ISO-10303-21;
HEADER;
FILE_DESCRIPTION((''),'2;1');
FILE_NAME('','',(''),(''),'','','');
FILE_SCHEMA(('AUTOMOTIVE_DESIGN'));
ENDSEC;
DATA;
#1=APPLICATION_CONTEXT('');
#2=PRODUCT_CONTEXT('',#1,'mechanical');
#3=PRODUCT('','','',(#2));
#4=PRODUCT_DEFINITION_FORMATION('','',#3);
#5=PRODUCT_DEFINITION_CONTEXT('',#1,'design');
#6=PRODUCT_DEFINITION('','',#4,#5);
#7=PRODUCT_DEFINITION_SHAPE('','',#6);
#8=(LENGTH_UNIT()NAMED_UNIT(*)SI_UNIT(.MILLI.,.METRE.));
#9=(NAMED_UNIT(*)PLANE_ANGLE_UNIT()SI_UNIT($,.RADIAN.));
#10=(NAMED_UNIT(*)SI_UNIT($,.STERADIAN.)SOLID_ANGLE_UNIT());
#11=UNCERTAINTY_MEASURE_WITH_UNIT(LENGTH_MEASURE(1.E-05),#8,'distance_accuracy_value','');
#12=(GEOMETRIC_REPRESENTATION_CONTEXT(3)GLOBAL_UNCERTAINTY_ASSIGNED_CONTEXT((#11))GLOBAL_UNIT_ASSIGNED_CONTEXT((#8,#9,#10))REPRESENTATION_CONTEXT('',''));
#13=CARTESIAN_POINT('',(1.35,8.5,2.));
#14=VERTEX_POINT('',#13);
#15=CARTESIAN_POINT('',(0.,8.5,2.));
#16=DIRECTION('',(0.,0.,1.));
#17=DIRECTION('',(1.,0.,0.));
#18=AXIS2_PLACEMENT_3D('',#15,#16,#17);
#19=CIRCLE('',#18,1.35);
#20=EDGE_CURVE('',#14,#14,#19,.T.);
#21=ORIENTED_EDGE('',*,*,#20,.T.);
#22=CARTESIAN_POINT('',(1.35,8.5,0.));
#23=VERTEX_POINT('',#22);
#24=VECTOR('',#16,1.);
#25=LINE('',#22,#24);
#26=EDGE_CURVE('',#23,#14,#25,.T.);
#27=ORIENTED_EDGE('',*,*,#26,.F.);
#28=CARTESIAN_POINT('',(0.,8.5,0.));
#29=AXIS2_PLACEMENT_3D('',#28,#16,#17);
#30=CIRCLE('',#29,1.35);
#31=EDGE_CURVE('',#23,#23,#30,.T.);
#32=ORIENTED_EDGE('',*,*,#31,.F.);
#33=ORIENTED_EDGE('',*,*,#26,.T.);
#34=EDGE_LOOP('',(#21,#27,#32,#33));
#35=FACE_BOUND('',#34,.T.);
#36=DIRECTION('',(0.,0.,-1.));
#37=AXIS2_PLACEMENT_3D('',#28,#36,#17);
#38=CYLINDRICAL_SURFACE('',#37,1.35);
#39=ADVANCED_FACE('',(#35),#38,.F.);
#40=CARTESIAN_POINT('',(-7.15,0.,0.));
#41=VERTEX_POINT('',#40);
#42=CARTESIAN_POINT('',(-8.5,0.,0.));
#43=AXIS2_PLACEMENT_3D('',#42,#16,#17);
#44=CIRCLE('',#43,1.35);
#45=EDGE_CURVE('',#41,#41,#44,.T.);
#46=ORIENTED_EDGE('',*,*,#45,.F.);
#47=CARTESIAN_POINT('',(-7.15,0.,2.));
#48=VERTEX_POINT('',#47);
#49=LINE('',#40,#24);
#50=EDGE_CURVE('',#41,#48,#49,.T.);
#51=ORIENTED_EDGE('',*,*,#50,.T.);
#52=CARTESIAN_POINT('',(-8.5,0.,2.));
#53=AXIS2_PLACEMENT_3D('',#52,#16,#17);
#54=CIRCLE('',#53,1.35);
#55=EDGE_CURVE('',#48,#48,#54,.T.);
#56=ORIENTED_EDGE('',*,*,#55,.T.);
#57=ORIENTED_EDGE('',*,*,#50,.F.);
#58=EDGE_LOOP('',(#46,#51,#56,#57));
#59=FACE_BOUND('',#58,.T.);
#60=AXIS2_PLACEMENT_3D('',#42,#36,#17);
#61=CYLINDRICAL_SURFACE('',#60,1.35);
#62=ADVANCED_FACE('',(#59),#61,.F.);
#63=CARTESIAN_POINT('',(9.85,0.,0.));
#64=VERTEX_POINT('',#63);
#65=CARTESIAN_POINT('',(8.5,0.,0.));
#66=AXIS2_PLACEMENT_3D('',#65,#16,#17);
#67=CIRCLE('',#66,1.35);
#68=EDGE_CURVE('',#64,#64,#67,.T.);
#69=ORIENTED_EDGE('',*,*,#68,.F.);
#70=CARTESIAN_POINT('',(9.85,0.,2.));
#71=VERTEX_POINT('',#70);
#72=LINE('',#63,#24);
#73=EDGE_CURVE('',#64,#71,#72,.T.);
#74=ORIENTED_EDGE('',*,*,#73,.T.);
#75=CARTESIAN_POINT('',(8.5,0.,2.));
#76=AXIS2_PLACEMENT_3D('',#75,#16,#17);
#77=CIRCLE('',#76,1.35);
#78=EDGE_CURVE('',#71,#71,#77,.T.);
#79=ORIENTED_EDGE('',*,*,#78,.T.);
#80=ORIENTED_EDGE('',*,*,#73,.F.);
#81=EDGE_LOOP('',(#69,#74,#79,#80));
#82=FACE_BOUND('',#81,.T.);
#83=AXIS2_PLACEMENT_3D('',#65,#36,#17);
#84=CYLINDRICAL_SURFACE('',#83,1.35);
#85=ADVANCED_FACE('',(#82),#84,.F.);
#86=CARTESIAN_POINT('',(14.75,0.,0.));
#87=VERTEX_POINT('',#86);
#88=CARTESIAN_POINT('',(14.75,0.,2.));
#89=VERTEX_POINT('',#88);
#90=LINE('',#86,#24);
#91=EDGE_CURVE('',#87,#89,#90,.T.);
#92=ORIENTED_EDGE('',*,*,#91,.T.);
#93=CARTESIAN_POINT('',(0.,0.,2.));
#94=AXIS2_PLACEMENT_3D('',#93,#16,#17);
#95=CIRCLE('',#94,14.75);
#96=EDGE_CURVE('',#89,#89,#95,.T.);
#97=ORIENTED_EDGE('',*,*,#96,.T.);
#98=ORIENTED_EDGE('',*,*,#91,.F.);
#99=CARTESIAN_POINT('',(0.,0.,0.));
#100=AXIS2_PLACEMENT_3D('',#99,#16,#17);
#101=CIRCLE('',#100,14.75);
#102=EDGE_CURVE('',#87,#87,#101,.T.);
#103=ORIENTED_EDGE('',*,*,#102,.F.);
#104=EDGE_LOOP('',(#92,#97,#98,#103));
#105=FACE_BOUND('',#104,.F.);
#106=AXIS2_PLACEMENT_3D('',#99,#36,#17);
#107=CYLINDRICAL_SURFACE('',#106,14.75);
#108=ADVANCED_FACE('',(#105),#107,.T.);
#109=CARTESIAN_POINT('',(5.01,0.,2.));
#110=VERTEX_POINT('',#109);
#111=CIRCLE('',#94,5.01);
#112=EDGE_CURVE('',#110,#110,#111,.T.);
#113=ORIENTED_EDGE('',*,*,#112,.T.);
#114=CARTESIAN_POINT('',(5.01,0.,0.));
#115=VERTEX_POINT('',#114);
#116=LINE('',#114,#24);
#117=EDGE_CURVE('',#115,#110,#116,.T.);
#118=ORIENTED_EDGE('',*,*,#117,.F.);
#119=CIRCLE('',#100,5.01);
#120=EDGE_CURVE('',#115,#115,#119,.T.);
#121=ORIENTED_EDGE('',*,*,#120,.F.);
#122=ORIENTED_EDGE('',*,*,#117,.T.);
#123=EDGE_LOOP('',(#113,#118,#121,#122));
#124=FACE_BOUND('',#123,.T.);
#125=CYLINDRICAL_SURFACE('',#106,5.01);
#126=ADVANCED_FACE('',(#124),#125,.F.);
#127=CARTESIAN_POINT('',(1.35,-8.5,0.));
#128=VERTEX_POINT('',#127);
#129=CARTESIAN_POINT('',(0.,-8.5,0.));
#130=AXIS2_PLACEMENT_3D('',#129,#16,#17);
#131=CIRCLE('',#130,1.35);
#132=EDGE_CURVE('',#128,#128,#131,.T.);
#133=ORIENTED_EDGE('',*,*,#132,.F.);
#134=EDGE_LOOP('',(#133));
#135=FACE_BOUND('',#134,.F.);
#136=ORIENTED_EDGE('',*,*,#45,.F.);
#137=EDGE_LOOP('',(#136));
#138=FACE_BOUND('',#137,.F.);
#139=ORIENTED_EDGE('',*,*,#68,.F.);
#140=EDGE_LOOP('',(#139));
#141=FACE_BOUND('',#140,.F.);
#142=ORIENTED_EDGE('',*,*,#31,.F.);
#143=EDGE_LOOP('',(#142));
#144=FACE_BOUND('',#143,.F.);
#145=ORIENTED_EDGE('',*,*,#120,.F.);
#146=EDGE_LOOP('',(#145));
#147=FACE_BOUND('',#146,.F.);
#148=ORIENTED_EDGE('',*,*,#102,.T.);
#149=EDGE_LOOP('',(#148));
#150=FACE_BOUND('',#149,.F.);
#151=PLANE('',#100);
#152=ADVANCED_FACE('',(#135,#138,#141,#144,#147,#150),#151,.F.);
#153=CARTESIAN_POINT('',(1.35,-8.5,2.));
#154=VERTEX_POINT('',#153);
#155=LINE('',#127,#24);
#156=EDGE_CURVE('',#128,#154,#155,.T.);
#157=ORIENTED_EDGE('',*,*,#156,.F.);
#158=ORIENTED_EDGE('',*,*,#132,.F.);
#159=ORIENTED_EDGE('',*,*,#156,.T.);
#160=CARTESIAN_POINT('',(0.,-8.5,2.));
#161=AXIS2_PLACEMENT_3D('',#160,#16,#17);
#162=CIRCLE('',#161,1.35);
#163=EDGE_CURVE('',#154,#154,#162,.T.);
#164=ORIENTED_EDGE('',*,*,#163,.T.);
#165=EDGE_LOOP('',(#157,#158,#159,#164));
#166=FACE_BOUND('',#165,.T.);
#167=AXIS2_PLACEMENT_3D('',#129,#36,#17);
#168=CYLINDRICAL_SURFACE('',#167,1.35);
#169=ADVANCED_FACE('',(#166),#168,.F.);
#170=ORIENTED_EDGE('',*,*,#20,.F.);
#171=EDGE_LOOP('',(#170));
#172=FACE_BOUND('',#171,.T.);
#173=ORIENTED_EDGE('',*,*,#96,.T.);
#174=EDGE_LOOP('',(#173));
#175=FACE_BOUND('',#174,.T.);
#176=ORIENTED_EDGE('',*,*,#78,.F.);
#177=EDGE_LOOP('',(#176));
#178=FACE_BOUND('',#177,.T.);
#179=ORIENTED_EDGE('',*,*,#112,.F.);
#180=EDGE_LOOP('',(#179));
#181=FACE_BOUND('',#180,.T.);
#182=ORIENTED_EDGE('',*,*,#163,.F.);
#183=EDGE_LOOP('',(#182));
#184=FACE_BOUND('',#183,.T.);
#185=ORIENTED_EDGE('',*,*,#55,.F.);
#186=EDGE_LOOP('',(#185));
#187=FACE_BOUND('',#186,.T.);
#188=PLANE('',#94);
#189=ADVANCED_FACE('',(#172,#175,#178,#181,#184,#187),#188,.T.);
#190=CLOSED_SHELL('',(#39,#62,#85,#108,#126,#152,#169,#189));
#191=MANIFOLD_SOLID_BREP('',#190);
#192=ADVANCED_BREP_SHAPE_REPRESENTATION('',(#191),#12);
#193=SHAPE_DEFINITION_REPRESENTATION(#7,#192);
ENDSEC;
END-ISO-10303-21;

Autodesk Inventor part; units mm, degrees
ref_plane "YZ Plane" through (0, 0, 0) normal (1, 0, 0) x (0, 1, 0)
ref_plane "XZ Plane" through (0, 0, 0) normal (0, 1, 0) x (-1, 0, 0)
ref_plane "XY Plane" through (0, 0, 0) normal (0, 0, 1) x (1, 0, 0)
sketch "スケッチ1" plane through (0, 0, 0) normal (0, 0, 1) x (1, 0, 0)
  circle A0 centre (0, 0) radius 14.75
  line L0 (0, 14.75) -> (0, -14.75) construction
  circle A1 centre (0, 8.5) radius 1.35
  circle A2 centre (-8.5, 0) radius 1.35
  circle A3 centre (0, -8.5) radius 1.35
  circle A4 centre (8.5, 0) radius 1.35
  circle A5 centre (0, 0) radius 5 construction
  circle A6 centre (0, 0) radius 5.01
  dimension "d0" = 29.5
  dimension "d1" = 2.7
  dimension "d2" = 8.5
  dimension "d5" = 360
  dimension "d7" = 10
  dimension "d8" = 0.01
extrude "押し出し1" add sketch "スケッチ1" along normal blind 2
properties part number "Inner_flange" material "アルミニウム 2014-T4"
